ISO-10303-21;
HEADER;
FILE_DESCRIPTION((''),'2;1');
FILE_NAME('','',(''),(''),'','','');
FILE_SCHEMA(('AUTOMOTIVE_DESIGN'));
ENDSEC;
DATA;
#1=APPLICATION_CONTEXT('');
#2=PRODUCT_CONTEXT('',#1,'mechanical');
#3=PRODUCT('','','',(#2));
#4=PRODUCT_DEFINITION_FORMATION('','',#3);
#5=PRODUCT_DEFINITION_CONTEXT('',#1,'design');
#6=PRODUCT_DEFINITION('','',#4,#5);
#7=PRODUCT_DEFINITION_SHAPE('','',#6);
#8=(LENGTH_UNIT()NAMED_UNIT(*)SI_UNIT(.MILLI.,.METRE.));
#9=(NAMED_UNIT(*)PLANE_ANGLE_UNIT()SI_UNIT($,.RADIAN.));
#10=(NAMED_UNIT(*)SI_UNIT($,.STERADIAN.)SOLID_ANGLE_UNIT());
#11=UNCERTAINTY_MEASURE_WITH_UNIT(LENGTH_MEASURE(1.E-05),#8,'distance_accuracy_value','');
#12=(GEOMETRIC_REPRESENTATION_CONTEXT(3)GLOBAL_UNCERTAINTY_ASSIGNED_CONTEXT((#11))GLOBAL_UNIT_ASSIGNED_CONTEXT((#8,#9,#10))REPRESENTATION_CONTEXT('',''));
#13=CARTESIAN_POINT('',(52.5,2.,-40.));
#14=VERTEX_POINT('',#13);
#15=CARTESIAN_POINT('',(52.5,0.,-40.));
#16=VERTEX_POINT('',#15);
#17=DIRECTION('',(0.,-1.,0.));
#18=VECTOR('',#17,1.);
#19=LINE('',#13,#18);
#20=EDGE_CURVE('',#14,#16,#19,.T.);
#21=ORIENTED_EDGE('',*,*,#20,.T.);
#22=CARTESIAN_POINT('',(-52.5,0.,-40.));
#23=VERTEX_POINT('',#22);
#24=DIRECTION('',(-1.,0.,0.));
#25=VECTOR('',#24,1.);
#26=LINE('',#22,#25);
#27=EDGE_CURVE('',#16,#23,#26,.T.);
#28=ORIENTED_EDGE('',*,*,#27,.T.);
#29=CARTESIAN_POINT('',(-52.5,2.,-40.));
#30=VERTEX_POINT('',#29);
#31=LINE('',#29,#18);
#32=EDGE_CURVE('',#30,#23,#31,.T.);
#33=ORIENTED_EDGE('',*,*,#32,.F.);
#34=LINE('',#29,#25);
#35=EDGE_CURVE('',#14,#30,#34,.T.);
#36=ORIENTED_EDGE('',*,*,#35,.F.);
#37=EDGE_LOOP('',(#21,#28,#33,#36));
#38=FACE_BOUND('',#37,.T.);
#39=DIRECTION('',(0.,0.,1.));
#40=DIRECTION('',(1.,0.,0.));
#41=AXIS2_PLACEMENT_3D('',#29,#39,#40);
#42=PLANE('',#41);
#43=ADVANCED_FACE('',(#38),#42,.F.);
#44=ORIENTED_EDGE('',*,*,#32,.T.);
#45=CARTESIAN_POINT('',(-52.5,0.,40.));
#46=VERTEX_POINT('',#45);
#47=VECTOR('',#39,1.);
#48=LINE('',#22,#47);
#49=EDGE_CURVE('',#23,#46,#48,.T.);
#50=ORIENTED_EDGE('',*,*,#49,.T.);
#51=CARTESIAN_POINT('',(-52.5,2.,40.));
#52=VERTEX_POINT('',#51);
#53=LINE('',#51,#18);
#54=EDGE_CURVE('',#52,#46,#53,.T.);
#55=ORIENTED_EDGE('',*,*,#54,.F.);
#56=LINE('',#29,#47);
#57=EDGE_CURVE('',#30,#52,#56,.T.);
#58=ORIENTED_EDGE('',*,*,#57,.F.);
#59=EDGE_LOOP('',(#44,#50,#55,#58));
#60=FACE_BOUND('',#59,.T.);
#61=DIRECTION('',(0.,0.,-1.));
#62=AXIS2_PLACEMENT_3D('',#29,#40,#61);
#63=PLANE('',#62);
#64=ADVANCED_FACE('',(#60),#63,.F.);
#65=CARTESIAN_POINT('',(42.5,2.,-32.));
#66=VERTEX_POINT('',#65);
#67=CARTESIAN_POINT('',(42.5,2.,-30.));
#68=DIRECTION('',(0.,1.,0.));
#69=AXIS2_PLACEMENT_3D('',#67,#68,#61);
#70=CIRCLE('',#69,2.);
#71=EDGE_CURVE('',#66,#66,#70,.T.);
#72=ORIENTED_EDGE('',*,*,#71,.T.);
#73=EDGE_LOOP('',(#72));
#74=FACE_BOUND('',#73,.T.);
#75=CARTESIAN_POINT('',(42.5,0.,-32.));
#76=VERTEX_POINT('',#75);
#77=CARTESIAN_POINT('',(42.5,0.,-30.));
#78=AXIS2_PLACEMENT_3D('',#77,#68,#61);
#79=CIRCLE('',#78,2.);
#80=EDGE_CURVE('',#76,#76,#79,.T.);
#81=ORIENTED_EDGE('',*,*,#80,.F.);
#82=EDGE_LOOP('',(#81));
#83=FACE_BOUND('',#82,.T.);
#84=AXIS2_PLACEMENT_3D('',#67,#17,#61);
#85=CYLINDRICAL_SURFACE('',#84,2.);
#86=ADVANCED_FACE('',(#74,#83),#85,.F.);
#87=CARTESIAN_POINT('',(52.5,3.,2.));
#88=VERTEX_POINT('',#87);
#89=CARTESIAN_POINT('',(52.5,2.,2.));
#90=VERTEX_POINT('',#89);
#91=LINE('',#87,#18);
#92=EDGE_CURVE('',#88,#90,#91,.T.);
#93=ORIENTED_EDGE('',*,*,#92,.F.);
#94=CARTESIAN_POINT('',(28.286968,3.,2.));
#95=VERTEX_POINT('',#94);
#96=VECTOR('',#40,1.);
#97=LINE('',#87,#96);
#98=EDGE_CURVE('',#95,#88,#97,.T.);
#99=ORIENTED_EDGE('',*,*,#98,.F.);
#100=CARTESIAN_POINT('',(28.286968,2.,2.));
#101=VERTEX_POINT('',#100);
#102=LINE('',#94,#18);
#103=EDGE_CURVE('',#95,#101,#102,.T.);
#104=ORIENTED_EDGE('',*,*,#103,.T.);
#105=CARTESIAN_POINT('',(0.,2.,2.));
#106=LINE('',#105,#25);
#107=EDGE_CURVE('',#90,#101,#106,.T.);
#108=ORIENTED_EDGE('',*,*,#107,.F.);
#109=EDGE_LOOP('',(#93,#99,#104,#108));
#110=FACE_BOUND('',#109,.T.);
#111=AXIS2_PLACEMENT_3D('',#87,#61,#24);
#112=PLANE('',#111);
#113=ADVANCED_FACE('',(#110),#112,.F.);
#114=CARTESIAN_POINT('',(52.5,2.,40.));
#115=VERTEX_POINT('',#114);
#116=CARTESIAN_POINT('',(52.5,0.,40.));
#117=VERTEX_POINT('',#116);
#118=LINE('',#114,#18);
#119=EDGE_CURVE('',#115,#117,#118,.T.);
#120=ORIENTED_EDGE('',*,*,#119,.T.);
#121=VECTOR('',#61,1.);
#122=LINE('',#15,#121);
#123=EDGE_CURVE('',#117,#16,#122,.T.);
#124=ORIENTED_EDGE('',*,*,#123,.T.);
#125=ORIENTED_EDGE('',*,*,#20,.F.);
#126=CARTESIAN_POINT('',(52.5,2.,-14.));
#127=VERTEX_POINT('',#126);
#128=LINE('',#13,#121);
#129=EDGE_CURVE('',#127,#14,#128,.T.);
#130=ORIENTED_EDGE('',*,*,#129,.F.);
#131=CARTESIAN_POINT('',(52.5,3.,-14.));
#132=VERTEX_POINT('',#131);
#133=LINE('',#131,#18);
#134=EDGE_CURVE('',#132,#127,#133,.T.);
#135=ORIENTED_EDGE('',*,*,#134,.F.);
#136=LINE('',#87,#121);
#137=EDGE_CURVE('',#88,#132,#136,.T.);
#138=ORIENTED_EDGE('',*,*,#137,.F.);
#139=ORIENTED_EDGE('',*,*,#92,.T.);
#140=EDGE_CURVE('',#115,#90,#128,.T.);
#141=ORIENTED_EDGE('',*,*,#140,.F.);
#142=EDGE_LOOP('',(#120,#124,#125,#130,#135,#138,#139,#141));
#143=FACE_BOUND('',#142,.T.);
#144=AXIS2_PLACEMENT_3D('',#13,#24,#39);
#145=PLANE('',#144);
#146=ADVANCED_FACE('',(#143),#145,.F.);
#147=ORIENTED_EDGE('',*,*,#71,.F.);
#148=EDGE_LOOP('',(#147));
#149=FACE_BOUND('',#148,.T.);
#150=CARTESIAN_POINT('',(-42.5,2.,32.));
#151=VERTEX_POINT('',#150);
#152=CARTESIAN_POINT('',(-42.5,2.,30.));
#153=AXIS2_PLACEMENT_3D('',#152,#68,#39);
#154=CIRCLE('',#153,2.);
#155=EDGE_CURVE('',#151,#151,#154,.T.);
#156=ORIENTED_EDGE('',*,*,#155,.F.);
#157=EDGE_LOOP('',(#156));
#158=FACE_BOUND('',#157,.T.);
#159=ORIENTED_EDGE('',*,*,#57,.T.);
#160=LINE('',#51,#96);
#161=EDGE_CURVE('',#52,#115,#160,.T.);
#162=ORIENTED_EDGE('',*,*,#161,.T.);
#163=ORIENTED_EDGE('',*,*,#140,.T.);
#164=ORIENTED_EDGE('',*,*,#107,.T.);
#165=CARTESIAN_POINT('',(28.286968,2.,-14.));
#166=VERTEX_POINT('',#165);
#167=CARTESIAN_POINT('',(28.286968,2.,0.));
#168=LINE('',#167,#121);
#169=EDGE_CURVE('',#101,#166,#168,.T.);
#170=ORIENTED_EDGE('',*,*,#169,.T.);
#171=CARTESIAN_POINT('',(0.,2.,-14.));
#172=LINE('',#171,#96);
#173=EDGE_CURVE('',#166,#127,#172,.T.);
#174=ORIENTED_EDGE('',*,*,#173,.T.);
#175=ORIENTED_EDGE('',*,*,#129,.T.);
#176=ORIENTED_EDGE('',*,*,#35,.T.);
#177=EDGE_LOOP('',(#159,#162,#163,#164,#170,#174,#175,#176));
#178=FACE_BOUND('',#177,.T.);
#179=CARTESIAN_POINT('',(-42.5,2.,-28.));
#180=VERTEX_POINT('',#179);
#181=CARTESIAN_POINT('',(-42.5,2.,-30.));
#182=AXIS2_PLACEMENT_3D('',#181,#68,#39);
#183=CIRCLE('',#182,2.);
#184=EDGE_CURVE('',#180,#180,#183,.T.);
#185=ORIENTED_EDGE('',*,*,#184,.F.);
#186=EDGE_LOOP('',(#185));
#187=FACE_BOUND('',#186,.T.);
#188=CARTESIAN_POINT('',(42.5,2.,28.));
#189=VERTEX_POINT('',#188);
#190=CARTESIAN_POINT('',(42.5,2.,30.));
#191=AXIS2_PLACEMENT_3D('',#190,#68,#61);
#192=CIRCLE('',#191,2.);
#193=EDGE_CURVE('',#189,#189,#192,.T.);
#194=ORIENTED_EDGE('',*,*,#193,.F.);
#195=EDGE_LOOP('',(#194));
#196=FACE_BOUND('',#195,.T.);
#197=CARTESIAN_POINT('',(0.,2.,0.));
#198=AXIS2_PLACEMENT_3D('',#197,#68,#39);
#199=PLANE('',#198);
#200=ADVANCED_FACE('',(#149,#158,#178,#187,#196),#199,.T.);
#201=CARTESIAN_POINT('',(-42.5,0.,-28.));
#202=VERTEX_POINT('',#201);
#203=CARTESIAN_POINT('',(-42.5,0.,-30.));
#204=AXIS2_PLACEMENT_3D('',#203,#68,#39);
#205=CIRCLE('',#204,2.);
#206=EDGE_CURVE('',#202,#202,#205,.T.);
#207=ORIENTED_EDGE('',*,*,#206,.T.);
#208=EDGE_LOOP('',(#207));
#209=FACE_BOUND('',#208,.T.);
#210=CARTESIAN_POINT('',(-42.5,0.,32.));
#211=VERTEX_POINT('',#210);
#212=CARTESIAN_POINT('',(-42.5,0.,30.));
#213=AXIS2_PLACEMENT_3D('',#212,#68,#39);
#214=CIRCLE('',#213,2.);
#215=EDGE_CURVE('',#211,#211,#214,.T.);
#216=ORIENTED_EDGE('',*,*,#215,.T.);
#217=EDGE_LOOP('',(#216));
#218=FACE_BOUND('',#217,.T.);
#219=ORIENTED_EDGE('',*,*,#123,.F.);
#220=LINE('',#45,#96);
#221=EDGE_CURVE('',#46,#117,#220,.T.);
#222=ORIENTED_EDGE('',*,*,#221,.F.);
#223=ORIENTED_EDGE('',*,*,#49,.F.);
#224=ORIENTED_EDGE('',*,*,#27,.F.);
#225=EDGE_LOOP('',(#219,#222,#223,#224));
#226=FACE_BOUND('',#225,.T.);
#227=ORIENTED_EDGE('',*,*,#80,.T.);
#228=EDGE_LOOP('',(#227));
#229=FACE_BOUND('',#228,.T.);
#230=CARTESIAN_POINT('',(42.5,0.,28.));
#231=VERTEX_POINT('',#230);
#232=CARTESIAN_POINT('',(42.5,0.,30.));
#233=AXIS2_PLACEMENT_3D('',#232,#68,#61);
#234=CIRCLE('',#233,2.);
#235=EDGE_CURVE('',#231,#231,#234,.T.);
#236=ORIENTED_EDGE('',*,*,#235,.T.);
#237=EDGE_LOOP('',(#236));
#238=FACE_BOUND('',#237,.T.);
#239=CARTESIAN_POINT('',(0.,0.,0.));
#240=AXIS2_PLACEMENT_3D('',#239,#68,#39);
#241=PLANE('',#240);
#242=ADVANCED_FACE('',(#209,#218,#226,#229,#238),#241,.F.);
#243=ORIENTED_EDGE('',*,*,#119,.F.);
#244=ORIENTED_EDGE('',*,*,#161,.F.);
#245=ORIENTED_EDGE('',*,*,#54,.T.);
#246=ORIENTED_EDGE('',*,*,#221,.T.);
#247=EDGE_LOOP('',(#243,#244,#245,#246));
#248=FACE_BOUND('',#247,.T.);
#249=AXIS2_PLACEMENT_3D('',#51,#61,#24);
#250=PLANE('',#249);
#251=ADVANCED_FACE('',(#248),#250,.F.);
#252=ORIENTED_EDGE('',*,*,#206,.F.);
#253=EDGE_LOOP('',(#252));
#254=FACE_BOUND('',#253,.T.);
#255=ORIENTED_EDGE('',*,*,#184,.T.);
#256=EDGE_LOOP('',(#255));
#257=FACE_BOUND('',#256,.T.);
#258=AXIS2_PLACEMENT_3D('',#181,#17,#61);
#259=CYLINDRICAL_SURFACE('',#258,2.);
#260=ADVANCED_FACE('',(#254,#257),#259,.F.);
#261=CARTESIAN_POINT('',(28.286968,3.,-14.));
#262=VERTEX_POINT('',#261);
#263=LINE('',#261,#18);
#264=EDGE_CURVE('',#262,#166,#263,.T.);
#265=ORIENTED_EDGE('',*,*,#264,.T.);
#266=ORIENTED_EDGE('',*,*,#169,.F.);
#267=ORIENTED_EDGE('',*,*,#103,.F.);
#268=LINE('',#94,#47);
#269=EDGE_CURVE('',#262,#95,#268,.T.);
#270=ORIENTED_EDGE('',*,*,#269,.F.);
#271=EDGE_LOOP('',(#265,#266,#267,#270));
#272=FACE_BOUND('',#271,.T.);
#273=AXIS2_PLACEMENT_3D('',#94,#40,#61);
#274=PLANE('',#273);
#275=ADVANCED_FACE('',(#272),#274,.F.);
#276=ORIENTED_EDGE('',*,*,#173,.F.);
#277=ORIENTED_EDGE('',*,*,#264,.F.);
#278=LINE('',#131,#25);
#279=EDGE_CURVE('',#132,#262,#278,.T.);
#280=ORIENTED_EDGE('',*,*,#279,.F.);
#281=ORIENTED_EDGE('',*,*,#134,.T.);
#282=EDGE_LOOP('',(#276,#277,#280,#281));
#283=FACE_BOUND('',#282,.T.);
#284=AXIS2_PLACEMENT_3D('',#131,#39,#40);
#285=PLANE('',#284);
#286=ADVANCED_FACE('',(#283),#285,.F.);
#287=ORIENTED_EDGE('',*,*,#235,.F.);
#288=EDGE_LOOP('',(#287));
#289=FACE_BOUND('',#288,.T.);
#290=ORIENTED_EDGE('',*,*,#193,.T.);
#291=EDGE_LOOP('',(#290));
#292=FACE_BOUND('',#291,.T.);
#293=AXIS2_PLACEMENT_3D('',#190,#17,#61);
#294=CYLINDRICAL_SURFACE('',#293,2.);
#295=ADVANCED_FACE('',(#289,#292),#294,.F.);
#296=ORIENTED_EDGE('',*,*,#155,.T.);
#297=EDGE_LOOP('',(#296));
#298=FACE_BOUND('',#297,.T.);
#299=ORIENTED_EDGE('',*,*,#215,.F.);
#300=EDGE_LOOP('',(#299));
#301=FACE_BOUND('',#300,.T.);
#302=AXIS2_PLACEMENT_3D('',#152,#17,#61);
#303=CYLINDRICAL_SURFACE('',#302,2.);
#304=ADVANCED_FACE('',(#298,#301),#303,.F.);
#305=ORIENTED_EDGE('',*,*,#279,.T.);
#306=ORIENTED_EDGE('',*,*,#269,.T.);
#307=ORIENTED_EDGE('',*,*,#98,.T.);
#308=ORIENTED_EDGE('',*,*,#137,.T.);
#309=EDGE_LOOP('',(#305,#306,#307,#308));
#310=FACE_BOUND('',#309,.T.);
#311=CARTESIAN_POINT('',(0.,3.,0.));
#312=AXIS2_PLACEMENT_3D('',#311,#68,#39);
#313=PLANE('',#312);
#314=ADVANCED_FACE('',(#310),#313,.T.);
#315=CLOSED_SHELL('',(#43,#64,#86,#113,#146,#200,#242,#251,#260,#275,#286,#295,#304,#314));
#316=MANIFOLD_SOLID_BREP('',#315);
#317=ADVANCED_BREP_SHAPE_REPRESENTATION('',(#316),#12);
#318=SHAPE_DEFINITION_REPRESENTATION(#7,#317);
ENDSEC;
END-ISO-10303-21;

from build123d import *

# Parameters (mm, degrees)
CROQUIS1_W              = 105
CROQUIS1_H              = 80
CROQUIS1_R              = 2
SALIENTE_EXTRUIR1_DEPTH = 2
CROQUIS2_W              = 24.213032347
CROQUIS2_H              = 16
SALIENTE_EXTRUIR2_DEPTH = 3


with BuildPart() as part:
    # Croquis1 → Saliente-Extruir1 (new body)
    with BuildSketch(Plane(origin=(0, 0, 0), x_dir=(1, 0, 0), z_dir=(0, 1, 0))):
        Rectangle(CROQUIS1_W, CROQUIS1_H)
        with Locations((-42.5, 30)):
            Circle(CROQUIS1_R, mode=Mode.SUBTRACT)
        with Locations((-42.5, -30)):
            Circle(CROQUIS1_R, mode=Mode.SUBTRACT)
        with Locations((42.5, -30)):
            Circle(CROQUIS1_R, mode=Mode.SUBTRACT)
        with Locations((42.5, 30)):
            Circle(CROQUIS1_R, mode=Mode.SUBTRACT)
    extrude(amount=SALIENTE_EXTRUIR1_DEPTH)

    # Croquis2 → Saliente-Extruir2 (add)
    with BuildSketch(Plane(origin=(0, 0, 0), x_dir=(1, 0, 0), z_dir=(0, 1, 0))):
        with Locations((40.393483827, 6)):
            Rectangle(CROQUIS2_W, CROQUIS2_H)
    extrude(amount=SALIENTE_EXTRUIR2_DEPTH)


solid = part.part
